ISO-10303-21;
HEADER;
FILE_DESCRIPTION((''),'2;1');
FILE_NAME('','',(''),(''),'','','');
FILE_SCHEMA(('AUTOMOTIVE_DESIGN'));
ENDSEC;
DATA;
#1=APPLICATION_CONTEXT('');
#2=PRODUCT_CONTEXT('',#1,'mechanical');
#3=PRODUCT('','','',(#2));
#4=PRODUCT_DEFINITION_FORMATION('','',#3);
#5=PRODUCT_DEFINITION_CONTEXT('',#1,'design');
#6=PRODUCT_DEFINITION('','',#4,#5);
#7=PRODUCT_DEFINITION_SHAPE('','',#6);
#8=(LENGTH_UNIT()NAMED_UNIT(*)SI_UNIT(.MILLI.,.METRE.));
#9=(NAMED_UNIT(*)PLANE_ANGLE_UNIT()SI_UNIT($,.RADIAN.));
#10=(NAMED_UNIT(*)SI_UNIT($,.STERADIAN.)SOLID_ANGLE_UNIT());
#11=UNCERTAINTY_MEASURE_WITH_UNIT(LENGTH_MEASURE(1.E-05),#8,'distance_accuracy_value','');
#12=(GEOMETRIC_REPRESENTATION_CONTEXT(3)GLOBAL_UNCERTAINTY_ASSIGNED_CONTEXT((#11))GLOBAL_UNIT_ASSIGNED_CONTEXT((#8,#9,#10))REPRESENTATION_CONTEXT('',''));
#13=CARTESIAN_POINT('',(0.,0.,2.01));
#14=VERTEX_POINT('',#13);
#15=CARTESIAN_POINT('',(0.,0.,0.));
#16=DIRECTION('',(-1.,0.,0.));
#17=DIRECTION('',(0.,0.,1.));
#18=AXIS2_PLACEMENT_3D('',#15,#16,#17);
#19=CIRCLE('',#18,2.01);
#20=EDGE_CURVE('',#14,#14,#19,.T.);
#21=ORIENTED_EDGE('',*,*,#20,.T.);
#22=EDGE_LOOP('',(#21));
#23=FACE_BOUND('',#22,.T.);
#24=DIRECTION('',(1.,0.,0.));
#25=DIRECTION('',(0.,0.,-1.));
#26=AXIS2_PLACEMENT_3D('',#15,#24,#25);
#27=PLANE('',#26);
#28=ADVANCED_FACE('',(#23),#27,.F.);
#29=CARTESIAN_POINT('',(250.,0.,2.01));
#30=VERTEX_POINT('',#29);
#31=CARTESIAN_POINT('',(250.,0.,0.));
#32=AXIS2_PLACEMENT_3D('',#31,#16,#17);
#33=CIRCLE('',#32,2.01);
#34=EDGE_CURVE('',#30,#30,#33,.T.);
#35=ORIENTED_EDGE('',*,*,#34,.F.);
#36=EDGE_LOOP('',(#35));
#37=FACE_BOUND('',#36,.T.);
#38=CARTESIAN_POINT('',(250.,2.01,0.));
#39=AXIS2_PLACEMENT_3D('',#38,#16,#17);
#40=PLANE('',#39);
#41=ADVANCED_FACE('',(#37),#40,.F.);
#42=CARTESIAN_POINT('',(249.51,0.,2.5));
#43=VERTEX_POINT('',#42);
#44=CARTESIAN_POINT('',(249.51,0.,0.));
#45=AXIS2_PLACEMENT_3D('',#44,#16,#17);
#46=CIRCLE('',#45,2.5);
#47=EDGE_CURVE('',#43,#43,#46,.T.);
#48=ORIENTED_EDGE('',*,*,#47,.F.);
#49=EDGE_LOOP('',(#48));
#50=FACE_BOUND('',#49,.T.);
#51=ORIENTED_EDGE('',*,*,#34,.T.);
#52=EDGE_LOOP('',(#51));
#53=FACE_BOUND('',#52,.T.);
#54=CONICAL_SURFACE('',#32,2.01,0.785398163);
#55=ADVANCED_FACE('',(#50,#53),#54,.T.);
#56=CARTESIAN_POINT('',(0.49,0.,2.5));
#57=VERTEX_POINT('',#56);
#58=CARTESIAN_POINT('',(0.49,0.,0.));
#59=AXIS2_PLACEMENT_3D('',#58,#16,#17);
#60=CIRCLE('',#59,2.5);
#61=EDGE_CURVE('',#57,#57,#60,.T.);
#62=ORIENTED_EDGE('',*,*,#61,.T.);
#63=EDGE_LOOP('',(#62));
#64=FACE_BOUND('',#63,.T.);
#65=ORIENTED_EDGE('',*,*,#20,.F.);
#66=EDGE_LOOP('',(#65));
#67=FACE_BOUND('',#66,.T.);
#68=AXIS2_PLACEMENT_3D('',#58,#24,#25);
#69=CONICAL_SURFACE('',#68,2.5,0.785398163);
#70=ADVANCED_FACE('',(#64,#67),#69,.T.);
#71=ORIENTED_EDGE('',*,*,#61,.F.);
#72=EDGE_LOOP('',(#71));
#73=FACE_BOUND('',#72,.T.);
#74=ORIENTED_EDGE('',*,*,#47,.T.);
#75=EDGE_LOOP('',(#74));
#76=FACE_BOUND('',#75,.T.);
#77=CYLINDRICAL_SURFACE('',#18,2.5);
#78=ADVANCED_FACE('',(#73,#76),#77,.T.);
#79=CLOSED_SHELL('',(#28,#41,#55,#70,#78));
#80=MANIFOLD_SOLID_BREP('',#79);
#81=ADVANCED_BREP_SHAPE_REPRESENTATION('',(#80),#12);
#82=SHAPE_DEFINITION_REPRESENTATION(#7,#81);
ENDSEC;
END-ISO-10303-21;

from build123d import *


with BuildPart() as part:
    # Sketch1 → Revolve1 (revolve)
    with BuildSketch(Plane.XY, mode=Mode.PRIVATE) as revolve1_sk:
        Polygon((0, 0), (0, 2.01), (0.49, 2.5), (249.51, 2.5), (250, 2.01), (250, 0), align=None)
    revolve(revolve1_sk.sketch.rotate(Axis((0, 0, 0), (1, 0, 0)), 90), axis=Axis((0, 0, 0), (1, 0, 0)))


solid = part.part
